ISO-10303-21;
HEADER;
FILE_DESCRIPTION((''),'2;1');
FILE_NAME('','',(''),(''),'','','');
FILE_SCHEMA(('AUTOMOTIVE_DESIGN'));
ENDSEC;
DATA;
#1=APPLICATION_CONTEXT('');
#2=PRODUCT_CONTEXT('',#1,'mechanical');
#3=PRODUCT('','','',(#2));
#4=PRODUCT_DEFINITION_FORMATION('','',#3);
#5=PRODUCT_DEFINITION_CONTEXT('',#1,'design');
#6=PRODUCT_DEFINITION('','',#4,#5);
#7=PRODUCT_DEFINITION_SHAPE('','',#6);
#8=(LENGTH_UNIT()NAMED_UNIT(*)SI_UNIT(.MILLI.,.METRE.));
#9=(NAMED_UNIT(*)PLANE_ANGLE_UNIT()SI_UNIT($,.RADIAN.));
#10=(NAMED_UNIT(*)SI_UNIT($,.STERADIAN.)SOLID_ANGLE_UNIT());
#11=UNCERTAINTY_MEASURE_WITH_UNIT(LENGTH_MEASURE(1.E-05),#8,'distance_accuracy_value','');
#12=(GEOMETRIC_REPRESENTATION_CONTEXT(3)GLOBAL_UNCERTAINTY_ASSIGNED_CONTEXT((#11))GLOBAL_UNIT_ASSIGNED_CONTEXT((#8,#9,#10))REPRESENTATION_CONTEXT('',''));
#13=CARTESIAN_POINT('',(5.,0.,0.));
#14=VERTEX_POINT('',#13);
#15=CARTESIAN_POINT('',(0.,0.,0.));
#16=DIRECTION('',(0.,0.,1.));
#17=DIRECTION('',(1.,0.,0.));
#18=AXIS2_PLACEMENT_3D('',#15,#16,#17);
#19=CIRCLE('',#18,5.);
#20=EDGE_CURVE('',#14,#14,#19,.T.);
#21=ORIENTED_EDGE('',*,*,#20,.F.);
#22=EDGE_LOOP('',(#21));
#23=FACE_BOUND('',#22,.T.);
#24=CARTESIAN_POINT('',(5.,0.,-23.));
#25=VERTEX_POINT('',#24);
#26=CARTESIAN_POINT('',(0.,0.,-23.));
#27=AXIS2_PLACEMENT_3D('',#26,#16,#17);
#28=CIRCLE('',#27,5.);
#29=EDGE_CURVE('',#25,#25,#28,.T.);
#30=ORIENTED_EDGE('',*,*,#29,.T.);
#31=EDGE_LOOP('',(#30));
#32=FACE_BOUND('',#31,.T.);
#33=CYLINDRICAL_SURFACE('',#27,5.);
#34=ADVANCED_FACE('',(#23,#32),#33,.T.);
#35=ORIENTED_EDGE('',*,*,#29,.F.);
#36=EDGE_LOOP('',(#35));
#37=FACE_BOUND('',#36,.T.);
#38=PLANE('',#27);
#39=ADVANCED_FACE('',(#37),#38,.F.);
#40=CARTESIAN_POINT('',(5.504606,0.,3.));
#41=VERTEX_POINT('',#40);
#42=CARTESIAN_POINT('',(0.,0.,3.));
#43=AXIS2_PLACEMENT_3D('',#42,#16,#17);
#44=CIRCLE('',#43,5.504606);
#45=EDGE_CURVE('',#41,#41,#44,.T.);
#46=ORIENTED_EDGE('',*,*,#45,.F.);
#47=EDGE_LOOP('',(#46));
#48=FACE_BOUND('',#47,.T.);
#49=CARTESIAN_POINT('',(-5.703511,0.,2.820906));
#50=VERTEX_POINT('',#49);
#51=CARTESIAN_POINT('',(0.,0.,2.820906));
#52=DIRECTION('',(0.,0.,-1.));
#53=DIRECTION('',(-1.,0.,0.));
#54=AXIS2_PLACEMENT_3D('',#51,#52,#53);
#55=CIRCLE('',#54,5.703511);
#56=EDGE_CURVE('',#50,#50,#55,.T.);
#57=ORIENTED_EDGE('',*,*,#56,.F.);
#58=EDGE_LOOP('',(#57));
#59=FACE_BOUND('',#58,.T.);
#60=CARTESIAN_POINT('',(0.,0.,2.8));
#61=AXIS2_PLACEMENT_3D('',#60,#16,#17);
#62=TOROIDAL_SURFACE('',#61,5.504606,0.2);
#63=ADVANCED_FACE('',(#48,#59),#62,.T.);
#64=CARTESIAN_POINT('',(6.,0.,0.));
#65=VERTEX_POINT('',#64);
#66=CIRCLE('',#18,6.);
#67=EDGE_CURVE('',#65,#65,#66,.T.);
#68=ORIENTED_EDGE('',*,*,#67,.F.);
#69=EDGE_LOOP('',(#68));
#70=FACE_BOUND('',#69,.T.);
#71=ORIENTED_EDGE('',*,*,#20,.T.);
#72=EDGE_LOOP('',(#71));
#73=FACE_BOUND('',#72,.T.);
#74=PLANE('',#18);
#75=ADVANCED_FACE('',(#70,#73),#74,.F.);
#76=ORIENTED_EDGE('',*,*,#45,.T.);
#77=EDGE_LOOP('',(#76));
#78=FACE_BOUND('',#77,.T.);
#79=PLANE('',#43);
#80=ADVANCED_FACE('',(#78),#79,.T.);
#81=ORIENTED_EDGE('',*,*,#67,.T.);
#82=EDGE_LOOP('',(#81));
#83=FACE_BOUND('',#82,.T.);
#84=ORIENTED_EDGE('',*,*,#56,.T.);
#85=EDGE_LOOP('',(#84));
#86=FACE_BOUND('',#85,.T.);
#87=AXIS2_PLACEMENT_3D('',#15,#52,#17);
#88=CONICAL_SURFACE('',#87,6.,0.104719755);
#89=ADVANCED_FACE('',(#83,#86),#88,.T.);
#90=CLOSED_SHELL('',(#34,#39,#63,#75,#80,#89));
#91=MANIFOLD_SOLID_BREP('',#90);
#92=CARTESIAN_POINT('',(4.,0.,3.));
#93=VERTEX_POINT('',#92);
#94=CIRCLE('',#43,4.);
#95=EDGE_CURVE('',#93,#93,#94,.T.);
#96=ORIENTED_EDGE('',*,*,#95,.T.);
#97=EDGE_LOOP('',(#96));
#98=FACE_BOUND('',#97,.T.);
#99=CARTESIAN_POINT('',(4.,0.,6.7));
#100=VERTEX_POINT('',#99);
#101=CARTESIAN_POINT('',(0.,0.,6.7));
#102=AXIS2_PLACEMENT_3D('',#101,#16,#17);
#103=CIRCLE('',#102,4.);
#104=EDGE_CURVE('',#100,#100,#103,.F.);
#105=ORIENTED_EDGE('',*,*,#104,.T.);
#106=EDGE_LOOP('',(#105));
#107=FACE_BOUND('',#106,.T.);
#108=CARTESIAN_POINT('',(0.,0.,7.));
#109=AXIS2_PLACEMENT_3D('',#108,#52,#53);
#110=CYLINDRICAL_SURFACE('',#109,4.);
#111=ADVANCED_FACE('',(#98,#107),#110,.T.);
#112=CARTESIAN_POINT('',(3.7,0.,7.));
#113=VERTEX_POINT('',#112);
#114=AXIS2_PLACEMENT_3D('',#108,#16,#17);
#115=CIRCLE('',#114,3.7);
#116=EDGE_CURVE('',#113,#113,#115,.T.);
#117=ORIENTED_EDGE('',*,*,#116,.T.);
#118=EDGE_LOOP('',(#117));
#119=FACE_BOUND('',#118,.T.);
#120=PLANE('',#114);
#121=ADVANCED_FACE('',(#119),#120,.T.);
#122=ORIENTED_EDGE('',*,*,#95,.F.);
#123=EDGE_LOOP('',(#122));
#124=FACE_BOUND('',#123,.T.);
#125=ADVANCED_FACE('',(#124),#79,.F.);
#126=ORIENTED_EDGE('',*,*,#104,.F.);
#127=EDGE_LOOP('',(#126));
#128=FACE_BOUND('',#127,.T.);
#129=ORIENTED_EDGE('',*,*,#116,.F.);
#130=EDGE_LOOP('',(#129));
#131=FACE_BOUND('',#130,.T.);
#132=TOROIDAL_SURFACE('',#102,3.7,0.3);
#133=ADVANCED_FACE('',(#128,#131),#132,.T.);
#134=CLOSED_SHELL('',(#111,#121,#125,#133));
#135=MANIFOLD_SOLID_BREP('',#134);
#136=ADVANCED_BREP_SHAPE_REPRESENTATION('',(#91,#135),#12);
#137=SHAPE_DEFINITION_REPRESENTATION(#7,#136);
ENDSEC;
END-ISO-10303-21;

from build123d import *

# Parameters (mm, degrees)
ESBO_O1_R                = 5
RESSALTO_EXTRUS_O1_DEPTH = 23
ESBO_O2_R                = 6
RESSALTO_EXTRUS_O2_DEPTH = 3
RESSALTO_EXTRUS_O2_TAPER = 6
FILETE1_R                = 0.2
ESBO_O3_R                = 4
RESSALTO_EXTRUS_O3_DEPTH = 4
FILETE2_R                = 0.3


with BuildPart() as part:
    # Esboço1 → Ressalto-extrusão1 (new body)
    with BuildSketch(Plane.XY):
        Circle(ESBO_O1_R)
    extrude(amount=-RESSALTO_EXTRUS_O1_DEPTH)

    # Esboço2 → Ressalto-extrusão2 (add)
    with BuildSketch(Plane.XY):
        Circle(ESBO_O2_R)
    extrude(amount=RESSALTO_EXTRUS_O2_DEPTH, taper=RESSALTO_EXTRUS_O2_TAPER)

    # Filete1
    filete1_edges = [part.edges().sort_by_distance(p)[0] for p in [
        (-5.684687294, 0, 3),
    ]]
    fillet(filete1_edges, radius=FILETE1_R)


with BuildPart() as body_2:
    # Esboço3 → Ressalto-extrusão3 (new body)
    with BuildSketch(Plane.XY.offset(3)):
        Circle(ESBO_O3_R)
    extrude(amount=RESSALTO_EXTRUS_O3_DEPTH)

    # Filete2
    filete2_edges = [body_2.edges().sort_by_distance(p)[0] for p in [
        (-4, 0, 7),
    ]]
    fillet(filete2_edges, radius=FILETE2_R)


solid = Compound([part.part, body_2.part])
